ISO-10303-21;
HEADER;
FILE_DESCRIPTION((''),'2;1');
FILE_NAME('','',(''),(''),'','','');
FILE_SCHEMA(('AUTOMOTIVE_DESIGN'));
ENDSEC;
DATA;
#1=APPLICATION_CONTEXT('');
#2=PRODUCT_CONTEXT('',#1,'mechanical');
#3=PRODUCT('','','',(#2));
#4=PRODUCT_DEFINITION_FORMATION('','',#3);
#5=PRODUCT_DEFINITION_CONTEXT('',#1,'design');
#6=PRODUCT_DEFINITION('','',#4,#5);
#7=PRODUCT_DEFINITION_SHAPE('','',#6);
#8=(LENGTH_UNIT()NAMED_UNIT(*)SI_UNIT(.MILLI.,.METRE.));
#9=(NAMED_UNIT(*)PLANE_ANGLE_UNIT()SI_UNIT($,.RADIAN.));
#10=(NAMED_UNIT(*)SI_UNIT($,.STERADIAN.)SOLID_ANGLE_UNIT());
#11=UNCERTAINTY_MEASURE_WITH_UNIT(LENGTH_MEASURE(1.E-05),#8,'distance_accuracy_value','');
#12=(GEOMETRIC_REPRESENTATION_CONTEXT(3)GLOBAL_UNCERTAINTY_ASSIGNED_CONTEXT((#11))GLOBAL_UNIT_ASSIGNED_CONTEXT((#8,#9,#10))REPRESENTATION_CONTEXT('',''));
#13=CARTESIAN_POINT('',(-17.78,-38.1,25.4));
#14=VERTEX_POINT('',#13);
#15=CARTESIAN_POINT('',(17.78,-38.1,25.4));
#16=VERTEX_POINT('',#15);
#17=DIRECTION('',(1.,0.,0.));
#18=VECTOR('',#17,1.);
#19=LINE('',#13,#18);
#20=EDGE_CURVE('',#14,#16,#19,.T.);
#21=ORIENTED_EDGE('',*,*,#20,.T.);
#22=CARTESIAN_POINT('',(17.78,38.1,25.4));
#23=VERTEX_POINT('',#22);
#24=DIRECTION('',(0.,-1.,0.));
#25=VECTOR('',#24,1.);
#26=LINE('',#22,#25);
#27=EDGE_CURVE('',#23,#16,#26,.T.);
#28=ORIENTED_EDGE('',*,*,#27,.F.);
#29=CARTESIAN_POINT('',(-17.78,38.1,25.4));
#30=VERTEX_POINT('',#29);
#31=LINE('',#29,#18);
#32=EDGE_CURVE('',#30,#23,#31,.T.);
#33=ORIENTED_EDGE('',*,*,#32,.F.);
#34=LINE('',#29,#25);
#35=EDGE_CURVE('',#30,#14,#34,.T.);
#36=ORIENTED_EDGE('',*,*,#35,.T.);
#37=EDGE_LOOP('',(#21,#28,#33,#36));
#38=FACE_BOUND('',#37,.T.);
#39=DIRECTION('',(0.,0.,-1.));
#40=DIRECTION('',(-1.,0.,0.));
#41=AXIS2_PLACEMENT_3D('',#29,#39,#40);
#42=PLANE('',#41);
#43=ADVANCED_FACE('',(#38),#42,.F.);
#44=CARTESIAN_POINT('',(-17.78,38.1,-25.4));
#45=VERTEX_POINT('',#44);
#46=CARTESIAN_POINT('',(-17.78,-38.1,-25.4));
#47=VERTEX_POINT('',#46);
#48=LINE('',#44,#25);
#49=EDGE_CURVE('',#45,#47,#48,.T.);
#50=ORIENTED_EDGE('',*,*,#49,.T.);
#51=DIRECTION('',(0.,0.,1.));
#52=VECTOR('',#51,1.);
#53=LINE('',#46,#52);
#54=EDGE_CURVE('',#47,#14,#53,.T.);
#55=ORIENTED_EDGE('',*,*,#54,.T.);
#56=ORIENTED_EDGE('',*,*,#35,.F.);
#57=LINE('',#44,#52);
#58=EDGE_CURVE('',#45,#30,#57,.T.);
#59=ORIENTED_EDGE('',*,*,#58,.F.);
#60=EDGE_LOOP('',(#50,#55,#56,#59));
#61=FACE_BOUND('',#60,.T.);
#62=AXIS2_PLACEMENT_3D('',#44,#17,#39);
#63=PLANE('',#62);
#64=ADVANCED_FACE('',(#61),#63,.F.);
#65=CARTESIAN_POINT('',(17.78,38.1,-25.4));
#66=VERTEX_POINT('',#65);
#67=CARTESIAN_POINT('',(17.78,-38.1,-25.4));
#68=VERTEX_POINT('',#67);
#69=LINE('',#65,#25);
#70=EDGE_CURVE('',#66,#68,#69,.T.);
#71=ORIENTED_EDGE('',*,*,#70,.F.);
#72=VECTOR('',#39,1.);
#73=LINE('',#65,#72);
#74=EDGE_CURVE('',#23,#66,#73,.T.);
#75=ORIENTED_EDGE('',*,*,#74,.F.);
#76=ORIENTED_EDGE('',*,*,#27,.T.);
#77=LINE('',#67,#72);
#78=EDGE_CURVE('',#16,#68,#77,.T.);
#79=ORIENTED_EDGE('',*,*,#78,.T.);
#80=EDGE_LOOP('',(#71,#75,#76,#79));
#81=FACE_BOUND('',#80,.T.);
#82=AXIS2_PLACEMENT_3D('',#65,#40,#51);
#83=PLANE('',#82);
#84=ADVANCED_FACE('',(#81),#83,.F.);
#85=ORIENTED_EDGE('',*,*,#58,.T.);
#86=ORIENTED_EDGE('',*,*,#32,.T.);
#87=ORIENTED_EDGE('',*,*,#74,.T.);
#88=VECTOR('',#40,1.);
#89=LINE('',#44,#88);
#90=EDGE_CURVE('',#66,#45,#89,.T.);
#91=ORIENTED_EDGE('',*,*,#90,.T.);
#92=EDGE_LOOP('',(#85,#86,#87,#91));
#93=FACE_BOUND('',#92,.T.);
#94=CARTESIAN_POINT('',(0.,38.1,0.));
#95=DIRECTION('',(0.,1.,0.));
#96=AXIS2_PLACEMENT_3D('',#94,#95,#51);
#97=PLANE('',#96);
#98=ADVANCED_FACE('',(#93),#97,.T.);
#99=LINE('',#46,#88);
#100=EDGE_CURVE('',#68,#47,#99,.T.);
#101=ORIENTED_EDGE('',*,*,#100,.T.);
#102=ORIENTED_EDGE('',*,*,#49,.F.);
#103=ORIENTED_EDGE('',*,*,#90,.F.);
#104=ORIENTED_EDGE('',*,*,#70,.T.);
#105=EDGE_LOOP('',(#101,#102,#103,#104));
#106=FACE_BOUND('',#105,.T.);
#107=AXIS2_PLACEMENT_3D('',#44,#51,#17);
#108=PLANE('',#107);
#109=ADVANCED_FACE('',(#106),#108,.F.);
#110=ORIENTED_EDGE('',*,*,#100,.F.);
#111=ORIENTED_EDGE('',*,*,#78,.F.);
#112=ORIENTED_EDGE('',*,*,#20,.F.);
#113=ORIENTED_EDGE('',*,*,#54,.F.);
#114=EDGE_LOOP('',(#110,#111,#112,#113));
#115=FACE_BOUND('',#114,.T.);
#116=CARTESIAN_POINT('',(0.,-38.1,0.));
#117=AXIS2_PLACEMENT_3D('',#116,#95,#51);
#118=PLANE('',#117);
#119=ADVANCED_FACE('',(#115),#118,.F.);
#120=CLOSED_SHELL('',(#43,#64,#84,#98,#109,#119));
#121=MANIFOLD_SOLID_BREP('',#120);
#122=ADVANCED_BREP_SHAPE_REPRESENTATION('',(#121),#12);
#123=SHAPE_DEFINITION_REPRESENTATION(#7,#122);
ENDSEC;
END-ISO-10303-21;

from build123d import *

# Parameters (mm, degrees)
SKETCH1_W           = 35.56
SKETCH1_H           = 50.8
BOSS_EXTRUDE1_DEPTH = 38.1


with BuildPart() as part:
    # Sketch1 → Boss-Extrude1 (new, symmetric)
    with BuildSketch(Plane(origin=(0, 0, 0), x_dir=(1, 0, 0), z_dir=(0, 1, 0))):
        Rectangle(SKETCH1_W, SKETCH1_H)
    extrude(amount=BOSS_EXTRUDE1_DEPTH, both=True)


solid = part.part
